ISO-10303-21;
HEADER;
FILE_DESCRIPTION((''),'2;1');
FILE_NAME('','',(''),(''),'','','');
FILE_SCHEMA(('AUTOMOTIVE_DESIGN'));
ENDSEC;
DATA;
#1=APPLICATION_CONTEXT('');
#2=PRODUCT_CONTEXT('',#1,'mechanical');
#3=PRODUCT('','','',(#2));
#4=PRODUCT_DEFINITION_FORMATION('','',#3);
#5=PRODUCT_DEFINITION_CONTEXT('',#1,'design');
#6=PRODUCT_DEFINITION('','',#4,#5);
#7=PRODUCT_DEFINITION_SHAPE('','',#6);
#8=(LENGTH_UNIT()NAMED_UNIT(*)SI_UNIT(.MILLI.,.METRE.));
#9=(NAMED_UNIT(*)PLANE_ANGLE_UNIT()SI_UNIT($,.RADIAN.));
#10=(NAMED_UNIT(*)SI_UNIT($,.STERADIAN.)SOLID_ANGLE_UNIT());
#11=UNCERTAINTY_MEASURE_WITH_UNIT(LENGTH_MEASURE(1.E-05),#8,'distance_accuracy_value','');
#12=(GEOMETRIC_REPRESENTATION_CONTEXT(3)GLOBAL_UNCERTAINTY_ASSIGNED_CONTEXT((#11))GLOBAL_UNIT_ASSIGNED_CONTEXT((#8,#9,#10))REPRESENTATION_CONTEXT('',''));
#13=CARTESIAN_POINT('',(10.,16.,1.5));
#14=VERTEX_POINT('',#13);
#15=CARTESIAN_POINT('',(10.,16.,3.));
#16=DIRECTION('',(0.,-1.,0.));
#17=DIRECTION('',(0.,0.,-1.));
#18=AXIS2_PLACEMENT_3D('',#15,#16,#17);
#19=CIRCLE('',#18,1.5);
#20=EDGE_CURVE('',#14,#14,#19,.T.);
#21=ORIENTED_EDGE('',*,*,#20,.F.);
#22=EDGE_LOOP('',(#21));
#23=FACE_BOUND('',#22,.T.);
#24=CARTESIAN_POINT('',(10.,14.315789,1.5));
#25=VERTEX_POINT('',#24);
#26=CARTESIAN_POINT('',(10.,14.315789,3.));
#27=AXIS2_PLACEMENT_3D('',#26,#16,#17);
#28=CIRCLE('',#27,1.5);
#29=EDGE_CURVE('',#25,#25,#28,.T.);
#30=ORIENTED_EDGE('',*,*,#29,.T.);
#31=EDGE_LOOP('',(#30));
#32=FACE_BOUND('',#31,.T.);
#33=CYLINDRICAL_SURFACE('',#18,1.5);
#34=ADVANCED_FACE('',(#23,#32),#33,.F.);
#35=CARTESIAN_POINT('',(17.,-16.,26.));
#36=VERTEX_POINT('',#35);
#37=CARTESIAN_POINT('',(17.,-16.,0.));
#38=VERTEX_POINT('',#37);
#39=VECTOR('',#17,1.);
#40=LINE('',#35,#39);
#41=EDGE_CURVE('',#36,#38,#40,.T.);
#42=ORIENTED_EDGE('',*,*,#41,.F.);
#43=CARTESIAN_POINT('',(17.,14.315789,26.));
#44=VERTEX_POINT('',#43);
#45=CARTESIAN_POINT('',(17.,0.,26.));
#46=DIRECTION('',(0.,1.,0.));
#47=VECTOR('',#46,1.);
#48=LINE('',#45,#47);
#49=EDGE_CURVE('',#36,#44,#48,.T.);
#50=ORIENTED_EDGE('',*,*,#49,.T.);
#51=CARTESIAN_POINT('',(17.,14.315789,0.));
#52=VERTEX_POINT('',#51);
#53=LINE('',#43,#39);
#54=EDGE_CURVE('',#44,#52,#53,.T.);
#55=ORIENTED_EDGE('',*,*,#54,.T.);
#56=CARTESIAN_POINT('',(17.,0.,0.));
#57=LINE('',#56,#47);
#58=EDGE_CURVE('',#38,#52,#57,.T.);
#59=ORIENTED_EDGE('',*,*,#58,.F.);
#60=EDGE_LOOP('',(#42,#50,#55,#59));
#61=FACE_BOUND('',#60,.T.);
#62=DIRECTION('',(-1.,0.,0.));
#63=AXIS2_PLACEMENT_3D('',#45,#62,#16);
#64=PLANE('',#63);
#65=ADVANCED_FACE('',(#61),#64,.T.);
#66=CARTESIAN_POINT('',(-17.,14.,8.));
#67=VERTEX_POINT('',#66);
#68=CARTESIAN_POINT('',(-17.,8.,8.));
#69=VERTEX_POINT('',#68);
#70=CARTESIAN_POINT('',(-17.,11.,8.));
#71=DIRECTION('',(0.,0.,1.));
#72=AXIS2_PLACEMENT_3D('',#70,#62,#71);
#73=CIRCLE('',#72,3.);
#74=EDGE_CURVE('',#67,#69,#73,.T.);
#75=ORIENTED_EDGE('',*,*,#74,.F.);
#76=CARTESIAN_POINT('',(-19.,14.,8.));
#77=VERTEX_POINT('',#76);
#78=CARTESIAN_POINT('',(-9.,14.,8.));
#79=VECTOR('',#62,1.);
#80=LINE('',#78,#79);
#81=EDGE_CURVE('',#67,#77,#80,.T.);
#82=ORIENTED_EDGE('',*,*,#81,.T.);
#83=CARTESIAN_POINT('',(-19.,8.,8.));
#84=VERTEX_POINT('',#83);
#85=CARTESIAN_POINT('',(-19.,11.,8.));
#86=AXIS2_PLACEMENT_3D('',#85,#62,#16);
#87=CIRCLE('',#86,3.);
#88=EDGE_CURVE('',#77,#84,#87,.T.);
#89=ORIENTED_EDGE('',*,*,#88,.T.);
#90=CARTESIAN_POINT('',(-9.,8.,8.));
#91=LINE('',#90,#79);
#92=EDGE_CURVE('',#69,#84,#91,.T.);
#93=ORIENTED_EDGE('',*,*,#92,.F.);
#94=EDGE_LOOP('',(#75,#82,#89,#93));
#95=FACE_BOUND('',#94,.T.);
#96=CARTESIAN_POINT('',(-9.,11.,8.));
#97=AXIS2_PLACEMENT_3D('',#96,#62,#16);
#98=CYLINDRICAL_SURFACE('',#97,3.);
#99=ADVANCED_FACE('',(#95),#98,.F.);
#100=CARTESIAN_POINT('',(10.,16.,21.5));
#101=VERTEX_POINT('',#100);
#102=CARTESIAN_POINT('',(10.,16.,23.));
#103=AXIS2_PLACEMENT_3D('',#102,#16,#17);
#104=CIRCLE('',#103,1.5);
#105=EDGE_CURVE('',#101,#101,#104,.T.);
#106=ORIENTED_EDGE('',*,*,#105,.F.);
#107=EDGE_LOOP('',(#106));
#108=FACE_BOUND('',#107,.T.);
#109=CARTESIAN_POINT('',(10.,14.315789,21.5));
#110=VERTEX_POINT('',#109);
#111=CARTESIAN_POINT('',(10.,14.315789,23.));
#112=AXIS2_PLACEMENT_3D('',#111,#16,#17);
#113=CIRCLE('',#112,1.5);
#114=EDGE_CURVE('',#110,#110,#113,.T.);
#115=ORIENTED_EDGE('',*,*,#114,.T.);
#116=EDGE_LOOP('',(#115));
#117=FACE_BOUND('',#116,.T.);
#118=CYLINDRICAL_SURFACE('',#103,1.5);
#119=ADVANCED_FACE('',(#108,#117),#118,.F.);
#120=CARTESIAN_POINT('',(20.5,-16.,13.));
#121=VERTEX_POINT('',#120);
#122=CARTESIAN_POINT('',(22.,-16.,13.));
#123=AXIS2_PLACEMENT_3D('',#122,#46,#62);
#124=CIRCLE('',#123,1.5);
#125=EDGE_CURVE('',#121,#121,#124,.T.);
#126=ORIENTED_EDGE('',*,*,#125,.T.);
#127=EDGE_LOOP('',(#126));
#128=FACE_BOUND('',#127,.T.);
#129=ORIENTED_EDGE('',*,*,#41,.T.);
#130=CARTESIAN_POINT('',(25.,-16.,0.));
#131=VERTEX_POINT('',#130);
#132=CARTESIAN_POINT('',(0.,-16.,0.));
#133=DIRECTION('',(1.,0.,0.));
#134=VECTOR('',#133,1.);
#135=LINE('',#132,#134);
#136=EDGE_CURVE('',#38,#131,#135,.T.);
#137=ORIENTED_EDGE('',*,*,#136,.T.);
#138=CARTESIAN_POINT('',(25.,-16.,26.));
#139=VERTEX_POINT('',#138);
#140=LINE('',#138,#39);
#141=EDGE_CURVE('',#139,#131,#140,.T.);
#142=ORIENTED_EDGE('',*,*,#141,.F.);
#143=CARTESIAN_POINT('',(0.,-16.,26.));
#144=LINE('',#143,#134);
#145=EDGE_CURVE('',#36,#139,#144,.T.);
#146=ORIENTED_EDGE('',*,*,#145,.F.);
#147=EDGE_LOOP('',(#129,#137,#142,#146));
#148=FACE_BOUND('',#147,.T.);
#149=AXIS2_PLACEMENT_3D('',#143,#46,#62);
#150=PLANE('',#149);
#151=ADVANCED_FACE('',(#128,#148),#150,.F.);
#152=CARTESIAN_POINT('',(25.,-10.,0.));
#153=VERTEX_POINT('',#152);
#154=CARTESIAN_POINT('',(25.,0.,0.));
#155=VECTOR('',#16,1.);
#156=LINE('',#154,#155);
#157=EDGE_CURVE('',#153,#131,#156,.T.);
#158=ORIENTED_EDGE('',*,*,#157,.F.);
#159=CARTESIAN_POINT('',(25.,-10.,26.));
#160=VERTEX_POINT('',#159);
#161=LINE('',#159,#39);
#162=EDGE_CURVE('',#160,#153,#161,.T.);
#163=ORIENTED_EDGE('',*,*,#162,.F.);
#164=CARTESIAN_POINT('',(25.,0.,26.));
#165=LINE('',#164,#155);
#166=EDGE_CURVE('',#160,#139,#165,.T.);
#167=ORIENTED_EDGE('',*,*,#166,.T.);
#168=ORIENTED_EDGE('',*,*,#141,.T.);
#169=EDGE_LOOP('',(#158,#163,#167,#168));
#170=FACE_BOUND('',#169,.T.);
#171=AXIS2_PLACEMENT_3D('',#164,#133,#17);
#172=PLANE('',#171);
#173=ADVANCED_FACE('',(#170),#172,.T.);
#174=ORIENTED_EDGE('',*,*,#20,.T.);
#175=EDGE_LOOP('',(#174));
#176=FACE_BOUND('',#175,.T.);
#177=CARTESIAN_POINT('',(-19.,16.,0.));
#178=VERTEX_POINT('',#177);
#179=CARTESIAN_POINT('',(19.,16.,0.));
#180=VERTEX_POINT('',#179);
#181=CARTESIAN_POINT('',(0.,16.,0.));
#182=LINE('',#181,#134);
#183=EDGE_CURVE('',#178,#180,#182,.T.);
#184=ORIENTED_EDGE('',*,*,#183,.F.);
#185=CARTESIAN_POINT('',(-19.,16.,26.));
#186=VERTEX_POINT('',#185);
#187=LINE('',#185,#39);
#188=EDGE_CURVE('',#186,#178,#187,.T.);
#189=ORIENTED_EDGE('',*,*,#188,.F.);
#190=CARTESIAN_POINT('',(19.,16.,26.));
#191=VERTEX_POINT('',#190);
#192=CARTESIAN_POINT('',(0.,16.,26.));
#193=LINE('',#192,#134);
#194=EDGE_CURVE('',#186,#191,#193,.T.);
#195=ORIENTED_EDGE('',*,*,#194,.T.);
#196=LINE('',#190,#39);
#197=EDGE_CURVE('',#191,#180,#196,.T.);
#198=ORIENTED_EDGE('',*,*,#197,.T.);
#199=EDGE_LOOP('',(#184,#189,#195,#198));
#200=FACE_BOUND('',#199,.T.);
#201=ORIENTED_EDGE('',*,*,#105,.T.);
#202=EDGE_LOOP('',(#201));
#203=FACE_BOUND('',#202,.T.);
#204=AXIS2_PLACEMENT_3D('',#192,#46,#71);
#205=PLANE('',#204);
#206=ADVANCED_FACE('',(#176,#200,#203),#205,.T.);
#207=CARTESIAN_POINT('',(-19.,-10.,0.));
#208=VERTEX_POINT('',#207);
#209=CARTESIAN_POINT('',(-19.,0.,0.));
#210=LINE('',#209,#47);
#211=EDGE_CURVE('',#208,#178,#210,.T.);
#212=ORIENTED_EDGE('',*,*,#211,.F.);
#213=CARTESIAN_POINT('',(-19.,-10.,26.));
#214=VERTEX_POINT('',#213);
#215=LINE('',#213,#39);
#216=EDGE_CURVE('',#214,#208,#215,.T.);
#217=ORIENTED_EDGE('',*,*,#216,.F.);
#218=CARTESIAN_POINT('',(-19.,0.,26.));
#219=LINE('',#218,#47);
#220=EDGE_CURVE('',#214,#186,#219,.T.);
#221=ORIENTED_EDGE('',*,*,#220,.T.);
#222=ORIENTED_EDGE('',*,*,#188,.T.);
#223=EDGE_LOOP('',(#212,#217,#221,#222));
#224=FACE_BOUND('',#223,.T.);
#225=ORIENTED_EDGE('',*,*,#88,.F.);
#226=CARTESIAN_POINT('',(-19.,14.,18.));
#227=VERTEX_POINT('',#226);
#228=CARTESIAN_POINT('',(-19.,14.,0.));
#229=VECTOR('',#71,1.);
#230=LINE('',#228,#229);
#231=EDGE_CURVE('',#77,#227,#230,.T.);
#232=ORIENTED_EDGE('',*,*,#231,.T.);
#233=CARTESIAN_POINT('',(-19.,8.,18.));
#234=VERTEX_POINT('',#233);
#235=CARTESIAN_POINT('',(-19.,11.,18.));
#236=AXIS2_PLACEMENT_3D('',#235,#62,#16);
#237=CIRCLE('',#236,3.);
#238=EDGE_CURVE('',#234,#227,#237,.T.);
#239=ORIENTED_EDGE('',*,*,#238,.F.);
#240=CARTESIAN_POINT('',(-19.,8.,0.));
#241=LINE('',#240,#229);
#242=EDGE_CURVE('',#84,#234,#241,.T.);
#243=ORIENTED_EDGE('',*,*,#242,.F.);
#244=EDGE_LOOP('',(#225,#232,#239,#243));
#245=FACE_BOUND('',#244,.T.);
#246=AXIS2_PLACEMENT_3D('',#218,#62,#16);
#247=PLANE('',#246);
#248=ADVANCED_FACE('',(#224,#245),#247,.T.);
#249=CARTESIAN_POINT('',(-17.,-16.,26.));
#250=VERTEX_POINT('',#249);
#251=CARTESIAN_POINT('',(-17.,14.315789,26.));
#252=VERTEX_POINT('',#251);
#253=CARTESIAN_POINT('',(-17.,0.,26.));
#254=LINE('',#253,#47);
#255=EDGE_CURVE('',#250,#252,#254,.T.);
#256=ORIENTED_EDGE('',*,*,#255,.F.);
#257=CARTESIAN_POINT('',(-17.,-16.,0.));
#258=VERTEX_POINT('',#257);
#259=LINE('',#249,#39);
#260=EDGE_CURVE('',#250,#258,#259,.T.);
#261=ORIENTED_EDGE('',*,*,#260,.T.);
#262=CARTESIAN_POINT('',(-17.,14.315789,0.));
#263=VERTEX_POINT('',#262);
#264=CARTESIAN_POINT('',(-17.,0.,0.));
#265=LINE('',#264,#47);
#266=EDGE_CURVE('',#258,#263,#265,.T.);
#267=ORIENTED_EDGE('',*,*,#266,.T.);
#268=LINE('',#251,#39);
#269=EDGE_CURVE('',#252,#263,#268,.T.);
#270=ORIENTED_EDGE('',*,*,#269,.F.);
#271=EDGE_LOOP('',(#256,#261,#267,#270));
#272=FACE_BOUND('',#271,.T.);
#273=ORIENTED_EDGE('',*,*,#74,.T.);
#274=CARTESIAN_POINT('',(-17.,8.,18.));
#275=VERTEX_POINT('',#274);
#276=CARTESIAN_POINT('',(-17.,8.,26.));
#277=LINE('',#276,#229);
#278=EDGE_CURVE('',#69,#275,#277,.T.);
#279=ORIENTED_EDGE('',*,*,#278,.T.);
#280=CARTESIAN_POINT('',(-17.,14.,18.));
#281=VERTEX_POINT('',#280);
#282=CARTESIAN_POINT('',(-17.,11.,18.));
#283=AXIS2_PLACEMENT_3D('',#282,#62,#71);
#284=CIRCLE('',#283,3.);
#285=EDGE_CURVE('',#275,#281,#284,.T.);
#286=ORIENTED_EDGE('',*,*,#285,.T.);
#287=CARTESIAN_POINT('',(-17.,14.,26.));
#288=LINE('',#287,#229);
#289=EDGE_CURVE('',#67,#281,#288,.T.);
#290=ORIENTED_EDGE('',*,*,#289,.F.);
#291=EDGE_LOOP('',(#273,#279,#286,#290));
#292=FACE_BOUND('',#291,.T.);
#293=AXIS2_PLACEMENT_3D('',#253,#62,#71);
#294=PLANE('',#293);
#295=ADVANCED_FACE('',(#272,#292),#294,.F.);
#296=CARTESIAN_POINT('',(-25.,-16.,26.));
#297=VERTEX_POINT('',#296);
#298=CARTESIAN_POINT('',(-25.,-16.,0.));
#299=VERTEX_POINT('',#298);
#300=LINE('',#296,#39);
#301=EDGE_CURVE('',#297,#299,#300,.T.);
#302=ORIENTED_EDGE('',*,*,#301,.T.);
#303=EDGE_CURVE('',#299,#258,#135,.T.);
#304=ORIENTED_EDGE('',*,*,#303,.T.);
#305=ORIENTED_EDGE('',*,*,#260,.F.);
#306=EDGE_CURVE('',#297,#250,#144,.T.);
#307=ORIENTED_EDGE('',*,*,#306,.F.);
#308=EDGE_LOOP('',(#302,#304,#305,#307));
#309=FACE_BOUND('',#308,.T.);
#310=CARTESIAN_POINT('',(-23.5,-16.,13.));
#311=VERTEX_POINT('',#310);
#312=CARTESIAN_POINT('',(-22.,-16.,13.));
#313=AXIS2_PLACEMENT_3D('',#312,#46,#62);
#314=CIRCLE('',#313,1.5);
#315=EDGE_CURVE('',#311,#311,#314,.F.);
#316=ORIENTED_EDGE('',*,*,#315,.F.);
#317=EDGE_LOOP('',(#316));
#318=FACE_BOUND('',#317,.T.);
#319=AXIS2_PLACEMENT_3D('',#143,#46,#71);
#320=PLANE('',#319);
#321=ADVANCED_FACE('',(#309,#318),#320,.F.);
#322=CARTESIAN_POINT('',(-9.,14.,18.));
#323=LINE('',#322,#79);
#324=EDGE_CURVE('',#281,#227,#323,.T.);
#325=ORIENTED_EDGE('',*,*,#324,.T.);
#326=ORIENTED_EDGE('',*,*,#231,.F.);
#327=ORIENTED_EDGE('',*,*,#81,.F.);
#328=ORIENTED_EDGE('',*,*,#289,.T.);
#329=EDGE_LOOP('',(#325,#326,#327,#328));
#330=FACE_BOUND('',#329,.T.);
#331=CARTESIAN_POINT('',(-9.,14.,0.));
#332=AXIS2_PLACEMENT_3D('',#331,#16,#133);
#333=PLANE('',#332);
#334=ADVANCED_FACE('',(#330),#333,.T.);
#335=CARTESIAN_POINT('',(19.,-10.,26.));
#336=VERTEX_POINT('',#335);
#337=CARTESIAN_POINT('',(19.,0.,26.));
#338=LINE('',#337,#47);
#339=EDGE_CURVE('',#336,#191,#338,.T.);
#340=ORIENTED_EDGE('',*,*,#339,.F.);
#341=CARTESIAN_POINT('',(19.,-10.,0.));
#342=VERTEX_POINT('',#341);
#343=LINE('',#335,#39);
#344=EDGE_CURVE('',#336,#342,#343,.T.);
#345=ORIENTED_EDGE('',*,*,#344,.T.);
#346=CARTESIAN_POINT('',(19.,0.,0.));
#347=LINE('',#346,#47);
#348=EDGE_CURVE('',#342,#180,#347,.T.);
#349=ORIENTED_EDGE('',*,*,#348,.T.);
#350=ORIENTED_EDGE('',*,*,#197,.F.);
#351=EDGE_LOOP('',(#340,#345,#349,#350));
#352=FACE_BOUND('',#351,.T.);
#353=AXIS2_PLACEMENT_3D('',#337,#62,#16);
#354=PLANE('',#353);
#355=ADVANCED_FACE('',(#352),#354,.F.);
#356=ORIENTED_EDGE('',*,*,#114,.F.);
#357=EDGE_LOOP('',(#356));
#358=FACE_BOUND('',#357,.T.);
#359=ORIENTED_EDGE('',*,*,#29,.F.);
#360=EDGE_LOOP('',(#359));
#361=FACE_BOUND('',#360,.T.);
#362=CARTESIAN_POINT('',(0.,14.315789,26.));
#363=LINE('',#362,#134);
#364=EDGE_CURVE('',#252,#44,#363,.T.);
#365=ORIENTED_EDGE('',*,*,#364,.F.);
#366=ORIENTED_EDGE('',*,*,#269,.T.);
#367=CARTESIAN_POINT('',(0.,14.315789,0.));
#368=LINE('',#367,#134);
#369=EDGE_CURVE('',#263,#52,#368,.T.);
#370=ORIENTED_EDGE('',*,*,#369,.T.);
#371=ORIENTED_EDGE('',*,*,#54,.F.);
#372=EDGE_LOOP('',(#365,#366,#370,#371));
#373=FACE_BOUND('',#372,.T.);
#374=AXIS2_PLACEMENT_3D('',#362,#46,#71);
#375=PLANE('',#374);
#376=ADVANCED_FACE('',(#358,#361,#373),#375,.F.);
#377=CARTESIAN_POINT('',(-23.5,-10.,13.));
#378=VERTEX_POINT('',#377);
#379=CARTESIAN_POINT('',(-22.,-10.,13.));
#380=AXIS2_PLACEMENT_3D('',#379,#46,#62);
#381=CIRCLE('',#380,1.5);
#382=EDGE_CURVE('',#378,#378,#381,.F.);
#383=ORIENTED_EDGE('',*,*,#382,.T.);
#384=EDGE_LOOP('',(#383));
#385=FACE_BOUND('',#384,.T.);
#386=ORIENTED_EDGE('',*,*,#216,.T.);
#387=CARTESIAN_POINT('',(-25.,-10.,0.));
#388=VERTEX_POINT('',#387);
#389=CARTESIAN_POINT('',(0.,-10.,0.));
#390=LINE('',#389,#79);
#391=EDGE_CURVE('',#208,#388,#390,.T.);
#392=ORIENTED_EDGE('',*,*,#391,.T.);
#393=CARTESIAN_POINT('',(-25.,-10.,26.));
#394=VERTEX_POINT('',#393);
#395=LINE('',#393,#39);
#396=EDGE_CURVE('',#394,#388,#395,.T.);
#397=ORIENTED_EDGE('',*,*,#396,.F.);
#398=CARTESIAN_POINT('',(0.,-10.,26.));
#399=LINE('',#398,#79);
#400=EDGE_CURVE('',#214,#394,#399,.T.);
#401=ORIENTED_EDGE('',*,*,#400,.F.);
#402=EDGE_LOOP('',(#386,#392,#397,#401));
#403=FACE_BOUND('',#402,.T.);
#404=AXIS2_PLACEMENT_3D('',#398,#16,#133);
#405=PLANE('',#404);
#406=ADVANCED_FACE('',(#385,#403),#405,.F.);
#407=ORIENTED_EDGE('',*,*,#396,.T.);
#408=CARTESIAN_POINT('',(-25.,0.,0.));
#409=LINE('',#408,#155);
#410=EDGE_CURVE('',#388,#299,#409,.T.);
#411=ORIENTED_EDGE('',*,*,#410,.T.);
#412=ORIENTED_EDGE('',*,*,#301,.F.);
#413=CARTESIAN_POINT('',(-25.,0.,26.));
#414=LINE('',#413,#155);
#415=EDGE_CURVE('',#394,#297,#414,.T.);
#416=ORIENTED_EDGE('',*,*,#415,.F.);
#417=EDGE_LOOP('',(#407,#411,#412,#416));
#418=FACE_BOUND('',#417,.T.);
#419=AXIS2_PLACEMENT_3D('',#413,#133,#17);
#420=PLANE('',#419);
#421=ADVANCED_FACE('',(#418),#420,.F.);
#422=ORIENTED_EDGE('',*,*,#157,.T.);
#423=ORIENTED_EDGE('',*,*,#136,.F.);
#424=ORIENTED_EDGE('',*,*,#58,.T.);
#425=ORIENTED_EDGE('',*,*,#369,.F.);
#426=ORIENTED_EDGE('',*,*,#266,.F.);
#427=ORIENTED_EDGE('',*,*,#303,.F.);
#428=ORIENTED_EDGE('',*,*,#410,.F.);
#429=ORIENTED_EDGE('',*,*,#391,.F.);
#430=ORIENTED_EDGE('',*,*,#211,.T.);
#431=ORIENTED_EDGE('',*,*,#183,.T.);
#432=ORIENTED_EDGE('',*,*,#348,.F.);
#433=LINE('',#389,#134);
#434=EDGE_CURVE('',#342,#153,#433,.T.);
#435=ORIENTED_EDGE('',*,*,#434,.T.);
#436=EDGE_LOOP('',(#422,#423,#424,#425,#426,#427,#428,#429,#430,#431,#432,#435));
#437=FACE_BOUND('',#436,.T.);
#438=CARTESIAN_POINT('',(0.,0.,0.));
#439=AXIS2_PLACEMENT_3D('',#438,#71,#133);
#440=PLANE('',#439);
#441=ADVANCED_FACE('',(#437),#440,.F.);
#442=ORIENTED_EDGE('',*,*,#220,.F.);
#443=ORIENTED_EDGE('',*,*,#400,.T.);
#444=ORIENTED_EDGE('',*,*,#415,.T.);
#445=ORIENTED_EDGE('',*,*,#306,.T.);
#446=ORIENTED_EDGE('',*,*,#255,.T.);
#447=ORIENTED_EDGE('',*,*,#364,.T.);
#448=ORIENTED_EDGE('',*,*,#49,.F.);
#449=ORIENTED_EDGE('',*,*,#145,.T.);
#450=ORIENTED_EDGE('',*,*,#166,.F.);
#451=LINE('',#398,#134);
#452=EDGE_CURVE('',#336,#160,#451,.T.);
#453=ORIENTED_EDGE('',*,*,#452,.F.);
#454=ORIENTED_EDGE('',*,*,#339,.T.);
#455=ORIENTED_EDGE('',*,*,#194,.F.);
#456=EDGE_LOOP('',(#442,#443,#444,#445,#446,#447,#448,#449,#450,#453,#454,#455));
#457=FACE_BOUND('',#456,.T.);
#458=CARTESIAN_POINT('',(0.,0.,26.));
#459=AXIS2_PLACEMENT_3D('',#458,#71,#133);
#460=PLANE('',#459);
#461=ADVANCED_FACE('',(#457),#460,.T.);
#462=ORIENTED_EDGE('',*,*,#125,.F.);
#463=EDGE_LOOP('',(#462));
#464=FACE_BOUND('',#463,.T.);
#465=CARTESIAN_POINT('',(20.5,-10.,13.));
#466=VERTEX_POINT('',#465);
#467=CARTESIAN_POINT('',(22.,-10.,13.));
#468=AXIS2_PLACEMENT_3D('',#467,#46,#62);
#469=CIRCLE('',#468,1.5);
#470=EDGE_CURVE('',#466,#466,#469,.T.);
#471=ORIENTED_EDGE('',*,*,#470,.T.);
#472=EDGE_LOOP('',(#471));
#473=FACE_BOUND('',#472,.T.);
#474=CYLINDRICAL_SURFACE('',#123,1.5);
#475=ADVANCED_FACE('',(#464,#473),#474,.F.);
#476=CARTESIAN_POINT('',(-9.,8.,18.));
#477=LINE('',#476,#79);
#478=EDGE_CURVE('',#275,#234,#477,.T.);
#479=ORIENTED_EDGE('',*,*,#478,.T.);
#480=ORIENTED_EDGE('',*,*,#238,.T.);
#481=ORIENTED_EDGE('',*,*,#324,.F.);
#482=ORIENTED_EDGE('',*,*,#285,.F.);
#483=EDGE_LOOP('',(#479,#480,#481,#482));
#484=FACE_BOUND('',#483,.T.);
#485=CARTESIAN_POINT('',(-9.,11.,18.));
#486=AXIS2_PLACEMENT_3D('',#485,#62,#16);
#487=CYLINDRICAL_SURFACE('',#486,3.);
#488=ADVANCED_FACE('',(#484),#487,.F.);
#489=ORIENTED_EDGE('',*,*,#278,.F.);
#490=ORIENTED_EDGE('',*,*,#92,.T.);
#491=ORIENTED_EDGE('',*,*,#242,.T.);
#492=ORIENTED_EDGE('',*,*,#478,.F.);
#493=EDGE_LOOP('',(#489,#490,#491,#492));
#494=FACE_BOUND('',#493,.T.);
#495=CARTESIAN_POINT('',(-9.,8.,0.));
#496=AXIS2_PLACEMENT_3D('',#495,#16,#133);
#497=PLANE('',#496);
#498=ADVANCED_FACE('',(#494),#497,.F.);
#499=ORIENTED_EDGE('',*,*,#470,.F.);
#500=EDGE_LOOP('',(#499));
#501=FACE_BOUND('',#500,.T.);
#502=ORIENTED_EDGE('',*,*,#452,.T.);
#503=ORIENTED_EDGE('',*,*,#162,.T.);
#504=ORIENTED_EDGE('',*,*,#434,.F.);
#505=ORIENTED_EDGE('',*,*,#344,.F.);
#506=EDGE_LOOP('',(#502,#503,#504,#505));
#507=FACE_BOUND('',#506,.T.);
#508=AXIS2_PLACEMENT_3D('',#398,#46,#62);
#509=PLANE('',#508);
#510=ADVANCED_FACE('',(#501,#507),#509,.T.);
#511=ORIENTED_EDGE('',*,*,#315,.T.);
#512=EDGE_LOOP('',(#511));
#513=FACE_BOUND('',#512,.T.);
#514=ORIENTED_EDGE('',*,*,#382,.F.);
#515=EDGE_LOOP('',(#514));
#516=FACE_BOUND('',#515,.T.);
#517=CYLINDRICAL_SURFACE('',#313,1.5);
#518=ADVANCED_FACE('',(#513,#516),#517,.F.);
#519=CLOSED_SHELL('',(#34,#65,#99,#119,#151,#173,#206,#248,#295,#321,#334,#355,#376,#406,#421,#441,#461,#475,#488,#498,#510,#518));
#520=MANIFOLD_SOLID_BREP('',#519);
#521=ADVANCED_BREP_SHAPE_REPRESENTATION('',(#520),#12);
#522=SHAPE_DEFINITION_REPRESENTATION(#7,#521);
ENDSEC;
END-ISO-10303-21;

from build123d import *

# Parameters (mm, degrees)
BOSS_EXTRUDE1_DEPTH = 26
SKETCH2_R           = 1.5
CUT_EXTRUDE1_DEPTH  = 48.117375685
SKETCH3_R           = 1.5
CUT_EXTRUDE2_DEPTH  = 45.463468151
CUT_EXTRUDE3_DEPTH  = 10


with BuildPart() as part:
    # Sketch1 → Boss-Extrude1 (new body)
    with BuildSketch(Plane.XY):
        Polygon((-25, -16), (-17, -16), (-17, 14.315789474), (17, 14.315789474), (17, -16), (25, -16), (25, -10), (19, -10), (19, 16), (-19, 16), (-19, -10), (-25, -10), align=None)
    extrude(amount=BOSS_EXTRUDE1_DEPTH)

    # Sketch2 → Cut-Extrude1 (cut, through all)
    with BuildSketch(Plane.XZ.offset(-14.315789474)):
        with Locations((10, 23)):
            Circle(SKETCH2_R)
        with Locations((10, 3)):
            Circle(SKETCH2_R)
    extrude(amount=-CUT_EXTRUDE1_DEPTH, mode=Mode.SUBTRACT)

    # Sketch3 → Cut-Extrude2 (cut, through all)
    with BuildSketch(Plane(origin=(0, -10, 0), x_dir=(1, 0, 0), z_dir=(0, 1, 0))):
        with Locations((22, -13)):
            Circle(SKETCH3_R)
        with Locations((-22, -13)):
            Circle(SKETCH3_R)
    extrude(amount=-CUT_EXTRUDE2_DEPTH, mode=Mode.SUBTRACT)

    # Sketch4 → Cut-Extrude3 (cut)
    with BuildSketch(Plane.ZY.offset(19)):
        with BuildLine():
            Line((18, 14), (8, 14))
            ThreePointArc((8, 14), (5, 11), (8, 8))
            Line((8, 8), (18, 8))
            ThreePointArc((18, 8), (21, 11), (18, 14))
        make_face()
    extrude(amount=-CUT_EXTRUDE3_DEPTH, mode=Mode.SUBTRACT)


solid = part.part
